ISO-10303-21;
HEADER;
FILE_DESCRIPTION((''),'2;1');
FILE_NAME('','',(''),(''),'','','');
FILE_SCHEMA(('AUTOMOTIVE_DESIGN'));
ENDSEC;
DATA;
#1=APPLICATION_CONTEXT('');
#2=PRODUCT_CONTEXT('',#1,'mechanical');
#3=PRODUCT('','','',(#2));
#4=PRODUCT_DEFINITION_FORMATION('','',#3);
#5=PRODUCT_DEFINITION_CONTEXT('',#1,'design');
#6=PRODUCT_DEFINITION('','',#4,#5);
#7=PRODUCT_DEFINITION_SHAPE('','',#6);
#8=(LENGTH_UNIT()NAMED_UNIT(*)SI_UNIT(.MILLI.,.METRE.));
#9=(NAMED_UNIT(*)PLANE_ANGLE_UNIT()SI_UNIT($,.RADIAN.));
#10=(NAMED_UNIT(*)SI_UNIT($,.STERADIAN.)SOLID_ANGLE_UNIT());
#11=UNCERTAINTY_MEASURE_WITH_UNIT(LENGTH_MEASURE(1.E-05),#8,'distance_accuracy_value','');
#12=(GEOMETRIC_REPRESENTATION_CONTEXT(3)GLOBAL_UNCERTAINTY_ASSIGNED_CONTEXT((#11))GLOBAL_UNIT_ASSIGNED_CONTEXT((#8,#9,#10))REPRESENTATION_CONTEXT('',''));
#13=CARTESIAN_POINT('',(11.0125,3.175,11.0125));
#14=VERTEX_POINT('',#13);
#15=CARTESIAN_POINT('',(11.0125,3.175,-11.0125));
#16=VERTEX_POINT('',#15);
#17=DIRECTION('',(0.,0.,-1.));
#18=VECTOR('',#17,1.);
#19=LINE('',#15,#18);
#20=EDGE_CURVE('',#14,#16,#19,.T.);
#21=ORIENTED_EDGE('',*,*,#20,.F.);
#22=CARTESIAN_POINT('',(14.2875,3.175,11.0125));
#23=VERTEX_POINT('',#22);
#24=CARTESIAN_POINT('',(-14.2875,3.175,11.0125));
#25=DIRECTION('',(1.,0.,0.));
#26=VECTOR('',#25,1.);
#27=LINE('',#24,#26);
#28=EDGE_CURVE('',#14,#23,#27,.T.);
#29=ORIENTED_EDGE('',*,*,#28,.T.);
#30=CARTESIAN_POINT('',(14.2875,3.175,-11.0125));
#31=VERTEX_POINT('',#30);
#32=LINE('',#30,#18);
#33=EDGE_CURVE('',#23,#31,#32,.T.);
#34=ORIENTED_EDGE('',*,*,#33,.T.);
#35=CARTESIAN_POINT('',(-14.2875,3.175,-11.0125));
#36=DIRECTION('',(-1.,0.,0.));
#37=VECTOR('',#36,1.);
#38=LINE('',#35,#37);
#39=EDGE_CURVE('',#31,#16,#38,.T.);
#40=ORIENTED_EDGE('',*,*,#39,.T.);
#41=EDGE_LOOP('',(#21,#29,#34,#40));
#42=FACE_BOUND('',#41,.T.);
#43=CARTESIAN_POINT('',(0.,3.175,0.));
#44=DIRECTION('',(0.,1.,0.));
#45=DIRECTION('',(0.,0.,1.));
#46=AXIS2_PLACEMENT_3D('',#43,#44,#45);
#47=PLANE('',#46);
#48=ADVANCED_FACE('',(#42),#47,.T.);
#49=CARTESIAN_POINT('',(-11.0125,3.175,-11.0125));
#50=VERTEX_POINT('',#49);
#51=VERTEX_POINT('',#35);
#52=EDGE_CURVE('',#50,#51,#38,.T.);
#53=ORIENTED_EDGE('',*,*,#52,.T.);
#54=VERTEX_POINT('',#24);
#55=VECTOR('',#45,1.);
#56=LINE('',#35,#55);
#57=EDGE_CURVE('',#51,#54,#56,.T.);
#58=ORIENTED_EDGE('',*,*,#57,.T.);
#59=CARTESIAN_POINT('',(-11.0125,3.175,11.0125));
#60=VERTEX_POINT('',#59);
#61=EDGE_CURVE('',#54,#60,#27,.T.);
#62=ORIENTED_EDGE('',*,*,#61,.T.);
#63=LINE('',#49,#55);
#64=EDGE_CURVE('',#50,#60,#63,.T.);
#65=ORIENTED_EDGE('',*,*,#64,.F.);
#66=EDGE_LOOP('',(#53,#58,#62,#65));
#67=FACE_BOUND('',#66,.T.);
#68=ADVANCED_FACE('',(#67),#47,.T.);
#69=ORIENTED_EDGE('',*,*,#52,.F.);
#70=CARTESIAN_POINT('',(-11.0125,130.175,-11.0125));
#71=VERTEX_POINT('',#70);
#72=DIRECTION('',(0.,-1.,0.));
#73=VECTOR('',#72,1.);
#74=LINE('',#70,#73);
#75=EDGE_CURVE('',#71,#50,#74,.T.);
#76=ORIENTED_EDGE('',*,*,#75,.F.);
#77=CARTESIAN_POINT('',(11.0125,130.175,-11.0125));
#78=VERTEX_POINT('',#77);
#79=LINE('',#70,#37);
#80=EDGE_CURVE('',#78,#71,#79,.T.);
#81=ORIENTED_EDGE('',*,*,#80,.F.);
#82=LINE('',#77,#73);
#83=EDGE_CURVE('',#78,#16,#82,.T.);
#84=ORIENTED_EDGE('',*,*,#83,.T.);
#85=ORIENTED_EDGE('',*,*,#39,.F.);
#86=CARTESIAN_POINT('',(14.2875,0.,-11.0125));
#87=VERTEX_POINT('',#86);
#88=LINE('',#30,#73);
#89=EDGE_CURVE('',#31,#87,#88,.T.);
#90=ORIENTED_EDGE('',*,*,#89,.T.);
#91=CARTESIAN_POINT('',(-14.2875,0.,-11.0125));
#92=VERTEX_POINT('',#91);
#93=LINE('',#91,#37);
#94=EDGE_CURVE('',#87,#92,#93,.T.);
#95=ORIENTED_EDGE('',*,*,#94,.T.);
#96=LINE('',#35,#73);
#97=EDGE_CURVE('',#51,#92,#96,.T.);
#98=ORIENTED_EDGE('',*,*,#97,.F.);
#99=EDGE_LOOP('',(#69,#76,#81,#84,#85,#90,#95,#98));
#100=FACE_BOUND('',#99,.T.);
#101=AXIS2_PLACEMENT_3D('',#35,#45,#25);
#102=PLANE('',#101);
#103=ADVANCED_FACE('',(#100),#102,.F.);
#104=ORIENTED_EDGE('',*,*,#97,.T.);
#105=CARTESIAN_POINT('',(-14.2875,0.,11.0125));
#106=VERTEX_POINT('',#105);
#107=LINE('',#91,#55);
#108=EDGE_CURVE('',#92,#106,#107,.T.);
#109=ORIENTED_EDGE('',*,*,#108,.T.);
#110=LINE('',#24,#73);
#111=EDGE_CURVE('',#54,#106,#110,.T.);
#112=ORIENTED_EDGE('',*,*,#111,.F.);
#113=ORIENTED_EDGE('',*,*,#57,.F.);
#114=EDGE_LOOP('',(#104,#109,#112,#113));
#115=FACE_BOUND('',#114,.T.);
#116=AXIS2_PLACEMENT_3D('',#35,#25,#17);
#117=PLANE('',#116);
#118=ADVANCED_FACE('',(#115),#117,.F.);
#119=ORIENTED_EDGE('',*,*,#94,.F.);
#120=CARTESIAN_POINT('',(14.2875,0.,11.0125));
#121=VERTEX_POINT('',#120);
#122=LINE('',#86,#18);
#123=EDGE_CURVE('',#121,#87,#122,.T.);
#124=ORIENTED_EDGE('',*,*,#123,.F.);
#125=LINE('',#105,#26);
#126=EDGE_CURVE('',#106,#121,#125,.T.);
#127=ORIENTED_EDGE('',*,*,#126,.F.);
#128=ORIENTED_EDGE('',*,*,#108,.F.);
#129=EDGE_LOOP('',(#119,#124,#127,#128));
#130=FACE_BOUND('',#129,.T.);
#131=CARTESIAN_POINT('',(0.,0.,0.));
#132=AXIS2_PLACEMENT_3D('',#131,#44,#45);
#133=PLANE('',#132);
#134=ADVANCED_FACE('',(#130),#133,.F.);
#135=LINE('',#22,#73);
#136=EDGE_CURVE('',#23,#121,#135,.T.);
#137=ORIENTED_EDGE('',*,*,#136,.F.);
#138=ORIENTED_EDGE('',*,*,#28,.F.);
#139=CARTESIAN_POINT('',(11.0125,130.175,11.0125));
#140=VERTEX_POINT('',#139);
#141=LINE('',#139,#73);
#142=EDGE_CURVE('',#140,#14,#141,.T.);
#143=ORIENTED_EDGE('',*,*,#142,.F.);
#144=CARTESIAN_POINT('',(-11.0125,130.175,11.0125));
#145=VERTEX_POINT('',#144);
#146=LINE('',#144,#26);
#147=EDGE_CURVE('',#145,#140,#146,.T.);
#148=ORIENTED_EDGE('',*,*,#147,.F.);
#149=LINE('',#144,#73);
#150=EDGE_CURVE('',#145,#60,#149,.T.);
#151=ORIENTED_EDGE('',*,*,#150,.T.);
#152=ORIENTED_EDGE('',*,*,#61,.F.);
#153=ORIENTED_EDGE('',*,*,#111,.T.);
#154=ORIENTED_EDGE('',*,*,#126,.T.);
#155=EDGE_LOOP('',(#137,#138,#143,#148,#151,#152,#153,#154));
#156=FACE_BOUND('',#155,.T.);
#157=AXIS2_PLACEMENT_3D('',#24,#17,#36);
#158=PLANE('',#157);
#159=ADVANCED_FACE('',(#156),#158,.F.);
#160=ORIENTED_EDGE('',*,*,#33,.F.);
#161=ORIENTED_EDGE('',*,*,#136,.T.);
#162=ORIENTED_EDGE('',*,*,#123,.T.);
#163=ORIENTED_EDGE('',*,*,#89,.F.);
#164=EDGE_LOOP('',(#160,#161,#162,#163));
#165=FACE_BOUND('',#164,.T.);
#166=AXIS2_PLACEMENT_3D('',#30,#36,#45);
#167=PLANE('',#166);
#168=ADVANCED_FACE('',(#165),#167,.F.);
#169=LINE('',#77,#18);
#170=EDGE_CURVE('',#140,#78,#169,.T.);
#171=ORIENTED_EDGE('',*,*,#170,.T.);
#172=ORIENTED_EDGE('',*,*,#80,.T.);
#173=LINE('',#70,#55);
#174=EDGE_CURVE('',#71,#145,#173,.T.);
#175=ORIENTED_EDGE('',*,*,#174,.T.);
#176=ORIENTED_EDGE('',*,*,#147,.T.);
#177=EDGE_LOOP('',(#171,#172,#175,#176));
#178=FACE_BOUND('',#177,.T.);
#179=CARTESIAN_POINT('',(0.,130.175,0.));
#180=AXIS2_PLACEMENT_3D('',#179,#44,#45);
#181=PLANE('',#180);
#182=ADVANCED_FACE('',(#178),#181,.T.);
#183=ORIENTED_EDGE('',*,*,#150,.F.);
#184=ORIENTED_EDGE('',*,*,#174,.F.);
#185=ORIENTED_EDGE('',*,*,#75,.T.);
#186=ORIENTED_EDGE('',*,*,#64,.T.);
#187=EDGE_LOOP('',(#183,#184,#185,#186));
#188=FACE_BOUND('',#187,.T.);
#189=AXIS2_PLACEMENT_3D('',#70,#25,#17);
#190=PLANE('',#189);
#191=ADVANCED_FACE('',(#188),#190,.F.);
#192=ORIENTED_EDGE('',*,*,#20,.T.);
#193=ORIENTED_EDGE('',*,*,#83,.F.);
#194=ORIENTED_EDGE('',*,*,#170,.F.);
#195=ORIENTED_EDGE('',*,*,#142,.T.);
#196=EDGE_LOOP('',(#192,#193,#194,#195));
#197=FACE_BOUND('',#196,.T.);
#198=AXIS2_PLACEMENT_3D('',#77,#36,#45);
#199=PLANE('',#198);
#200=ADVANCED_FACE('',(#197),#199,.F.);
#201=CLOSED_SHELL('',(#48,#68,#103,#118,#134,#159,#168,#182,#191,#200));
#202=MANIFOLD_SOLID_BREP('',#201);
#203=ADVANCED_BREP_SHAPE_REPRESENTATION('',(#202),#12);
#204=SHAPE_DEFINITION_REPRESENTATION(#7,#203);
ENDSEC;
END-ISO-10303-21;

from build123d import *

# Parameters (mm, degrees)
SKETCH1_W           = 28.575
SKETCH1_H           = 22.024999892
BOSS_EXTRUDE1_DEPTH = 3.175
SKETCH2_W           = 22.024999892
SKETCH2_H           = 22.024999892
BOSS_EXTRUDE2_DEPTH = 127


with BuildPart() as part:
    # Sketch1 → Boss-Extrude1 (new body)
    with BuildSketch(Plane(origin=(0, 0, 0), x_dir=(1, 0, 0), z_dir=(0, 1, 0))):
        Rectangle(SKETCH1_W, SKETCH1_H)
    extrude(amount=BOSS_EXTRUDE1_DEPTH)

    # Sketch2 → Boss-Extrude2 (add)
    with BuildSketch(Plane(origin=(0, 3.175, 0), x_dir=(1, 0, 0), z_dir=(0, 1, 0))):
        Rectangle(SKETCH2_W, SKETCH2_H)
    extrude(amount=BOSS_EXTRUDE2_DEPTH)


solid = part.part
